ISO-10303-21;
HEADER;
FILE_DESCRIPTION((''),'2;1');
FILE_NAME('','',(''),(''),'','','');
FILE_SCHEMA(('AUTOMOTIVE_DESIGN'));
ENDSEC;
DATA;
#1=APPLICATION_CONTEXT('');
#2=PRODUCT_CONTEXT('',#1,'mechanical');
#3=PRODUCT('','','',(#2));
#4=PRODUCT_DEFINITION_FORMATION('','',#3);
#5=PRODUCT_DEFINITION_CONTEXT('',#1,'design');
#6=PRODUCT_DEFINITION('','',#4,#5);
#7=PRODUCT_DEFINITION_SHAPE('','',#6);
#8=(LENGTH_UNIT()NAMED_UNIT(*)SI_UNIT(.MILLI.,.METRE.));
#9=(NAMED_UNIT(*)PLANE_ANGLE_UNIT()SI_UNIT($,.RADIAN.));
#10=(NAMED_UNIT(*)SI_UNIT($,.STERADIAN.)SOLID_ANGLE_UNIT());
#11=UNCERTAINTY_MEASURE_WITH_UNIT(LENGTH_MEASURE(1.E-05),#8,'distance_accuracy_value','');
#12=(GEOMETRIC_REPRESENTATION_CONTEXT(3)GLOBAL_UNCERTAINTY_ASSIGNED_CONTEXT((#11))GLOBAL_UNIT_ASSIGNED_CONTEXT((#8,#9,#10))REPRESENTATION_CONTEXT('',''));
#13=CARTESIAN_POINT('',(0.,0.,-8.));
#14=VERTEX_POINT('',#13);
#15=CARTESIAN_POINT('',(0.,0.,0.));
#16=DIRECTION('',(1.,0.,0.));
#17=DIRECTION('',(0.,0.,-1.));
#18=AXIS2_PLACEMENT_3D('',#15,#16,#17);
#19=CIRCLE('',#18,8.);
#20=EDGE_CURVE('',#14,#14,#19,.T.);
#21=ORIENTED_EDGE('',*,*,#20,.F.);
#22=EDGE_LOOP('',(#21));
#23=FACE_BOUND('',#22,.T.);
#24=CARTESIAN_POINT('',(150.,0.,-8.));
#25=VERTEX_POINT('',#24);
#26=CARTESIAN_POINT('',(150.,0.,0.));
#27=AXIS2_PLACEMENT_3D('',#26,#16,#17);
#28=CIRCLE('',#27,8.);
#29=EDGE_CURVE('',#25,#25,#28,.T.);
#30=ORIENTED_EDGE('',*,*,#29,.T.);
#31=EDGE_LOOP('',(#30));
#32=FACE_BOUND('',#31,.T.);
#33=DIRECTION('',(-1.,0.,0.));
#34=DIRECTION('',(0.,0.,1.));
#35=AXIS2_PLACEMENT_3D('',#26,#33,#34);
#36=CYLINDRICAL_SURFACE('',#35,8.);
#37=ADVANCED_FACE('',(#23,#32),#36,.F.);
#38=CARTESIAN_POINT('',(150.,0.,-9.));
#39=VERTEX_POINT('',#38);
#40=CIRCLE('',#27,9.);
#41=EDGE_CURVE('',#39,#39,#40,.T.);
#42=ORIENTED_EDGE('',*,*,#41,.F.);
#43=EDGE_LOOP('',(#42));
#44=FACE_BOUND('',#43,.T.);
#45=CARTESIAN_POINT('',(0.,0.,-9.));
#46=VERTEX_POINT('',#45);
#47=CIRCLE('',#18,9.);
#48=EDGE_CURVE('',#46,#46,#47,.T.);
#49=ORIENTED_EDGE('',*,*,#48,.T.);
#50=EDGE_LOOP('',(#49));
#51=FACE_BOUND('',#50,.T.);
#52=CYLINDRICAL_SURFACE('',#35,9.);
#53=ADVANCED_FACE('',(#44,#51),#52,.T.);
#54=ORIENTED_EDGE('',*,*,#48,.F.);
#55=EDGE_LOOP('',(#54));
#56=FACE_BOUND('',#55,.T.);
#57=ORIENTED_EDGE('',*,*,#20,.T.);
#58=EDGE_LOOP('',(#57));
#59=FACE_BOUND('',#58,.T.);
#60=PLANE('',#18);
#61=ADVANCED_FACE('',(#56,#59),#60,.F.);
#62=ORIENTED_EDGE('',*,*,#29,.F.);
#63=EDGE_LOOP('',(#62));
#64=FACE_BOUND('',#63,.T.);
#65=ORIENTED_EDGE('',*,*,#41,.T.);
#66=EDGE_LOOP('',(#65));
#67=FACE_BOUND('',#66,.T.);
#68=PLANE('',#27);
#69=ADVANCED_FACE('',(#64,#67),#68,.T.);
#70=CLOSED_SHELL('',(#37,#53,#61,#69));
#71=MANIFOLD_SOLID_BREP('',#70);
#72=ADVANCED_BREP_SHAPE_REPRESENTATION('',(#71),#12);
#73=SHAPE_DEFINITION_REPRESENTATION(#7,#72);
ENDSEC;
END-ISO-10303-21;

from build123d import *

# Parameters (mm, degrees)
SKIZZE1_R                       = 9
SKIZZE1_R_2                     = 8
AUFSATZ_LINEAR_AUSTRAGEN1_DEPTH = 150


with BuildPart() as part:
    # Skizze1 → Aufsatz-Linear austragen1 (new body)
    with BuildSketch(Plane(origin=(0, 0, 0), x_dir=(0, 0, -1), z_dir=(1, 0, 0))):
        Circle(SKIZZE1_R)
        Circle(SKIZZE1_R_2, mode=Mode.SUBTRACT)
    extrude(amount=AUFSATZ_LINEAR_AUSTRAGEN1_DEPTH)


solid = part.part
